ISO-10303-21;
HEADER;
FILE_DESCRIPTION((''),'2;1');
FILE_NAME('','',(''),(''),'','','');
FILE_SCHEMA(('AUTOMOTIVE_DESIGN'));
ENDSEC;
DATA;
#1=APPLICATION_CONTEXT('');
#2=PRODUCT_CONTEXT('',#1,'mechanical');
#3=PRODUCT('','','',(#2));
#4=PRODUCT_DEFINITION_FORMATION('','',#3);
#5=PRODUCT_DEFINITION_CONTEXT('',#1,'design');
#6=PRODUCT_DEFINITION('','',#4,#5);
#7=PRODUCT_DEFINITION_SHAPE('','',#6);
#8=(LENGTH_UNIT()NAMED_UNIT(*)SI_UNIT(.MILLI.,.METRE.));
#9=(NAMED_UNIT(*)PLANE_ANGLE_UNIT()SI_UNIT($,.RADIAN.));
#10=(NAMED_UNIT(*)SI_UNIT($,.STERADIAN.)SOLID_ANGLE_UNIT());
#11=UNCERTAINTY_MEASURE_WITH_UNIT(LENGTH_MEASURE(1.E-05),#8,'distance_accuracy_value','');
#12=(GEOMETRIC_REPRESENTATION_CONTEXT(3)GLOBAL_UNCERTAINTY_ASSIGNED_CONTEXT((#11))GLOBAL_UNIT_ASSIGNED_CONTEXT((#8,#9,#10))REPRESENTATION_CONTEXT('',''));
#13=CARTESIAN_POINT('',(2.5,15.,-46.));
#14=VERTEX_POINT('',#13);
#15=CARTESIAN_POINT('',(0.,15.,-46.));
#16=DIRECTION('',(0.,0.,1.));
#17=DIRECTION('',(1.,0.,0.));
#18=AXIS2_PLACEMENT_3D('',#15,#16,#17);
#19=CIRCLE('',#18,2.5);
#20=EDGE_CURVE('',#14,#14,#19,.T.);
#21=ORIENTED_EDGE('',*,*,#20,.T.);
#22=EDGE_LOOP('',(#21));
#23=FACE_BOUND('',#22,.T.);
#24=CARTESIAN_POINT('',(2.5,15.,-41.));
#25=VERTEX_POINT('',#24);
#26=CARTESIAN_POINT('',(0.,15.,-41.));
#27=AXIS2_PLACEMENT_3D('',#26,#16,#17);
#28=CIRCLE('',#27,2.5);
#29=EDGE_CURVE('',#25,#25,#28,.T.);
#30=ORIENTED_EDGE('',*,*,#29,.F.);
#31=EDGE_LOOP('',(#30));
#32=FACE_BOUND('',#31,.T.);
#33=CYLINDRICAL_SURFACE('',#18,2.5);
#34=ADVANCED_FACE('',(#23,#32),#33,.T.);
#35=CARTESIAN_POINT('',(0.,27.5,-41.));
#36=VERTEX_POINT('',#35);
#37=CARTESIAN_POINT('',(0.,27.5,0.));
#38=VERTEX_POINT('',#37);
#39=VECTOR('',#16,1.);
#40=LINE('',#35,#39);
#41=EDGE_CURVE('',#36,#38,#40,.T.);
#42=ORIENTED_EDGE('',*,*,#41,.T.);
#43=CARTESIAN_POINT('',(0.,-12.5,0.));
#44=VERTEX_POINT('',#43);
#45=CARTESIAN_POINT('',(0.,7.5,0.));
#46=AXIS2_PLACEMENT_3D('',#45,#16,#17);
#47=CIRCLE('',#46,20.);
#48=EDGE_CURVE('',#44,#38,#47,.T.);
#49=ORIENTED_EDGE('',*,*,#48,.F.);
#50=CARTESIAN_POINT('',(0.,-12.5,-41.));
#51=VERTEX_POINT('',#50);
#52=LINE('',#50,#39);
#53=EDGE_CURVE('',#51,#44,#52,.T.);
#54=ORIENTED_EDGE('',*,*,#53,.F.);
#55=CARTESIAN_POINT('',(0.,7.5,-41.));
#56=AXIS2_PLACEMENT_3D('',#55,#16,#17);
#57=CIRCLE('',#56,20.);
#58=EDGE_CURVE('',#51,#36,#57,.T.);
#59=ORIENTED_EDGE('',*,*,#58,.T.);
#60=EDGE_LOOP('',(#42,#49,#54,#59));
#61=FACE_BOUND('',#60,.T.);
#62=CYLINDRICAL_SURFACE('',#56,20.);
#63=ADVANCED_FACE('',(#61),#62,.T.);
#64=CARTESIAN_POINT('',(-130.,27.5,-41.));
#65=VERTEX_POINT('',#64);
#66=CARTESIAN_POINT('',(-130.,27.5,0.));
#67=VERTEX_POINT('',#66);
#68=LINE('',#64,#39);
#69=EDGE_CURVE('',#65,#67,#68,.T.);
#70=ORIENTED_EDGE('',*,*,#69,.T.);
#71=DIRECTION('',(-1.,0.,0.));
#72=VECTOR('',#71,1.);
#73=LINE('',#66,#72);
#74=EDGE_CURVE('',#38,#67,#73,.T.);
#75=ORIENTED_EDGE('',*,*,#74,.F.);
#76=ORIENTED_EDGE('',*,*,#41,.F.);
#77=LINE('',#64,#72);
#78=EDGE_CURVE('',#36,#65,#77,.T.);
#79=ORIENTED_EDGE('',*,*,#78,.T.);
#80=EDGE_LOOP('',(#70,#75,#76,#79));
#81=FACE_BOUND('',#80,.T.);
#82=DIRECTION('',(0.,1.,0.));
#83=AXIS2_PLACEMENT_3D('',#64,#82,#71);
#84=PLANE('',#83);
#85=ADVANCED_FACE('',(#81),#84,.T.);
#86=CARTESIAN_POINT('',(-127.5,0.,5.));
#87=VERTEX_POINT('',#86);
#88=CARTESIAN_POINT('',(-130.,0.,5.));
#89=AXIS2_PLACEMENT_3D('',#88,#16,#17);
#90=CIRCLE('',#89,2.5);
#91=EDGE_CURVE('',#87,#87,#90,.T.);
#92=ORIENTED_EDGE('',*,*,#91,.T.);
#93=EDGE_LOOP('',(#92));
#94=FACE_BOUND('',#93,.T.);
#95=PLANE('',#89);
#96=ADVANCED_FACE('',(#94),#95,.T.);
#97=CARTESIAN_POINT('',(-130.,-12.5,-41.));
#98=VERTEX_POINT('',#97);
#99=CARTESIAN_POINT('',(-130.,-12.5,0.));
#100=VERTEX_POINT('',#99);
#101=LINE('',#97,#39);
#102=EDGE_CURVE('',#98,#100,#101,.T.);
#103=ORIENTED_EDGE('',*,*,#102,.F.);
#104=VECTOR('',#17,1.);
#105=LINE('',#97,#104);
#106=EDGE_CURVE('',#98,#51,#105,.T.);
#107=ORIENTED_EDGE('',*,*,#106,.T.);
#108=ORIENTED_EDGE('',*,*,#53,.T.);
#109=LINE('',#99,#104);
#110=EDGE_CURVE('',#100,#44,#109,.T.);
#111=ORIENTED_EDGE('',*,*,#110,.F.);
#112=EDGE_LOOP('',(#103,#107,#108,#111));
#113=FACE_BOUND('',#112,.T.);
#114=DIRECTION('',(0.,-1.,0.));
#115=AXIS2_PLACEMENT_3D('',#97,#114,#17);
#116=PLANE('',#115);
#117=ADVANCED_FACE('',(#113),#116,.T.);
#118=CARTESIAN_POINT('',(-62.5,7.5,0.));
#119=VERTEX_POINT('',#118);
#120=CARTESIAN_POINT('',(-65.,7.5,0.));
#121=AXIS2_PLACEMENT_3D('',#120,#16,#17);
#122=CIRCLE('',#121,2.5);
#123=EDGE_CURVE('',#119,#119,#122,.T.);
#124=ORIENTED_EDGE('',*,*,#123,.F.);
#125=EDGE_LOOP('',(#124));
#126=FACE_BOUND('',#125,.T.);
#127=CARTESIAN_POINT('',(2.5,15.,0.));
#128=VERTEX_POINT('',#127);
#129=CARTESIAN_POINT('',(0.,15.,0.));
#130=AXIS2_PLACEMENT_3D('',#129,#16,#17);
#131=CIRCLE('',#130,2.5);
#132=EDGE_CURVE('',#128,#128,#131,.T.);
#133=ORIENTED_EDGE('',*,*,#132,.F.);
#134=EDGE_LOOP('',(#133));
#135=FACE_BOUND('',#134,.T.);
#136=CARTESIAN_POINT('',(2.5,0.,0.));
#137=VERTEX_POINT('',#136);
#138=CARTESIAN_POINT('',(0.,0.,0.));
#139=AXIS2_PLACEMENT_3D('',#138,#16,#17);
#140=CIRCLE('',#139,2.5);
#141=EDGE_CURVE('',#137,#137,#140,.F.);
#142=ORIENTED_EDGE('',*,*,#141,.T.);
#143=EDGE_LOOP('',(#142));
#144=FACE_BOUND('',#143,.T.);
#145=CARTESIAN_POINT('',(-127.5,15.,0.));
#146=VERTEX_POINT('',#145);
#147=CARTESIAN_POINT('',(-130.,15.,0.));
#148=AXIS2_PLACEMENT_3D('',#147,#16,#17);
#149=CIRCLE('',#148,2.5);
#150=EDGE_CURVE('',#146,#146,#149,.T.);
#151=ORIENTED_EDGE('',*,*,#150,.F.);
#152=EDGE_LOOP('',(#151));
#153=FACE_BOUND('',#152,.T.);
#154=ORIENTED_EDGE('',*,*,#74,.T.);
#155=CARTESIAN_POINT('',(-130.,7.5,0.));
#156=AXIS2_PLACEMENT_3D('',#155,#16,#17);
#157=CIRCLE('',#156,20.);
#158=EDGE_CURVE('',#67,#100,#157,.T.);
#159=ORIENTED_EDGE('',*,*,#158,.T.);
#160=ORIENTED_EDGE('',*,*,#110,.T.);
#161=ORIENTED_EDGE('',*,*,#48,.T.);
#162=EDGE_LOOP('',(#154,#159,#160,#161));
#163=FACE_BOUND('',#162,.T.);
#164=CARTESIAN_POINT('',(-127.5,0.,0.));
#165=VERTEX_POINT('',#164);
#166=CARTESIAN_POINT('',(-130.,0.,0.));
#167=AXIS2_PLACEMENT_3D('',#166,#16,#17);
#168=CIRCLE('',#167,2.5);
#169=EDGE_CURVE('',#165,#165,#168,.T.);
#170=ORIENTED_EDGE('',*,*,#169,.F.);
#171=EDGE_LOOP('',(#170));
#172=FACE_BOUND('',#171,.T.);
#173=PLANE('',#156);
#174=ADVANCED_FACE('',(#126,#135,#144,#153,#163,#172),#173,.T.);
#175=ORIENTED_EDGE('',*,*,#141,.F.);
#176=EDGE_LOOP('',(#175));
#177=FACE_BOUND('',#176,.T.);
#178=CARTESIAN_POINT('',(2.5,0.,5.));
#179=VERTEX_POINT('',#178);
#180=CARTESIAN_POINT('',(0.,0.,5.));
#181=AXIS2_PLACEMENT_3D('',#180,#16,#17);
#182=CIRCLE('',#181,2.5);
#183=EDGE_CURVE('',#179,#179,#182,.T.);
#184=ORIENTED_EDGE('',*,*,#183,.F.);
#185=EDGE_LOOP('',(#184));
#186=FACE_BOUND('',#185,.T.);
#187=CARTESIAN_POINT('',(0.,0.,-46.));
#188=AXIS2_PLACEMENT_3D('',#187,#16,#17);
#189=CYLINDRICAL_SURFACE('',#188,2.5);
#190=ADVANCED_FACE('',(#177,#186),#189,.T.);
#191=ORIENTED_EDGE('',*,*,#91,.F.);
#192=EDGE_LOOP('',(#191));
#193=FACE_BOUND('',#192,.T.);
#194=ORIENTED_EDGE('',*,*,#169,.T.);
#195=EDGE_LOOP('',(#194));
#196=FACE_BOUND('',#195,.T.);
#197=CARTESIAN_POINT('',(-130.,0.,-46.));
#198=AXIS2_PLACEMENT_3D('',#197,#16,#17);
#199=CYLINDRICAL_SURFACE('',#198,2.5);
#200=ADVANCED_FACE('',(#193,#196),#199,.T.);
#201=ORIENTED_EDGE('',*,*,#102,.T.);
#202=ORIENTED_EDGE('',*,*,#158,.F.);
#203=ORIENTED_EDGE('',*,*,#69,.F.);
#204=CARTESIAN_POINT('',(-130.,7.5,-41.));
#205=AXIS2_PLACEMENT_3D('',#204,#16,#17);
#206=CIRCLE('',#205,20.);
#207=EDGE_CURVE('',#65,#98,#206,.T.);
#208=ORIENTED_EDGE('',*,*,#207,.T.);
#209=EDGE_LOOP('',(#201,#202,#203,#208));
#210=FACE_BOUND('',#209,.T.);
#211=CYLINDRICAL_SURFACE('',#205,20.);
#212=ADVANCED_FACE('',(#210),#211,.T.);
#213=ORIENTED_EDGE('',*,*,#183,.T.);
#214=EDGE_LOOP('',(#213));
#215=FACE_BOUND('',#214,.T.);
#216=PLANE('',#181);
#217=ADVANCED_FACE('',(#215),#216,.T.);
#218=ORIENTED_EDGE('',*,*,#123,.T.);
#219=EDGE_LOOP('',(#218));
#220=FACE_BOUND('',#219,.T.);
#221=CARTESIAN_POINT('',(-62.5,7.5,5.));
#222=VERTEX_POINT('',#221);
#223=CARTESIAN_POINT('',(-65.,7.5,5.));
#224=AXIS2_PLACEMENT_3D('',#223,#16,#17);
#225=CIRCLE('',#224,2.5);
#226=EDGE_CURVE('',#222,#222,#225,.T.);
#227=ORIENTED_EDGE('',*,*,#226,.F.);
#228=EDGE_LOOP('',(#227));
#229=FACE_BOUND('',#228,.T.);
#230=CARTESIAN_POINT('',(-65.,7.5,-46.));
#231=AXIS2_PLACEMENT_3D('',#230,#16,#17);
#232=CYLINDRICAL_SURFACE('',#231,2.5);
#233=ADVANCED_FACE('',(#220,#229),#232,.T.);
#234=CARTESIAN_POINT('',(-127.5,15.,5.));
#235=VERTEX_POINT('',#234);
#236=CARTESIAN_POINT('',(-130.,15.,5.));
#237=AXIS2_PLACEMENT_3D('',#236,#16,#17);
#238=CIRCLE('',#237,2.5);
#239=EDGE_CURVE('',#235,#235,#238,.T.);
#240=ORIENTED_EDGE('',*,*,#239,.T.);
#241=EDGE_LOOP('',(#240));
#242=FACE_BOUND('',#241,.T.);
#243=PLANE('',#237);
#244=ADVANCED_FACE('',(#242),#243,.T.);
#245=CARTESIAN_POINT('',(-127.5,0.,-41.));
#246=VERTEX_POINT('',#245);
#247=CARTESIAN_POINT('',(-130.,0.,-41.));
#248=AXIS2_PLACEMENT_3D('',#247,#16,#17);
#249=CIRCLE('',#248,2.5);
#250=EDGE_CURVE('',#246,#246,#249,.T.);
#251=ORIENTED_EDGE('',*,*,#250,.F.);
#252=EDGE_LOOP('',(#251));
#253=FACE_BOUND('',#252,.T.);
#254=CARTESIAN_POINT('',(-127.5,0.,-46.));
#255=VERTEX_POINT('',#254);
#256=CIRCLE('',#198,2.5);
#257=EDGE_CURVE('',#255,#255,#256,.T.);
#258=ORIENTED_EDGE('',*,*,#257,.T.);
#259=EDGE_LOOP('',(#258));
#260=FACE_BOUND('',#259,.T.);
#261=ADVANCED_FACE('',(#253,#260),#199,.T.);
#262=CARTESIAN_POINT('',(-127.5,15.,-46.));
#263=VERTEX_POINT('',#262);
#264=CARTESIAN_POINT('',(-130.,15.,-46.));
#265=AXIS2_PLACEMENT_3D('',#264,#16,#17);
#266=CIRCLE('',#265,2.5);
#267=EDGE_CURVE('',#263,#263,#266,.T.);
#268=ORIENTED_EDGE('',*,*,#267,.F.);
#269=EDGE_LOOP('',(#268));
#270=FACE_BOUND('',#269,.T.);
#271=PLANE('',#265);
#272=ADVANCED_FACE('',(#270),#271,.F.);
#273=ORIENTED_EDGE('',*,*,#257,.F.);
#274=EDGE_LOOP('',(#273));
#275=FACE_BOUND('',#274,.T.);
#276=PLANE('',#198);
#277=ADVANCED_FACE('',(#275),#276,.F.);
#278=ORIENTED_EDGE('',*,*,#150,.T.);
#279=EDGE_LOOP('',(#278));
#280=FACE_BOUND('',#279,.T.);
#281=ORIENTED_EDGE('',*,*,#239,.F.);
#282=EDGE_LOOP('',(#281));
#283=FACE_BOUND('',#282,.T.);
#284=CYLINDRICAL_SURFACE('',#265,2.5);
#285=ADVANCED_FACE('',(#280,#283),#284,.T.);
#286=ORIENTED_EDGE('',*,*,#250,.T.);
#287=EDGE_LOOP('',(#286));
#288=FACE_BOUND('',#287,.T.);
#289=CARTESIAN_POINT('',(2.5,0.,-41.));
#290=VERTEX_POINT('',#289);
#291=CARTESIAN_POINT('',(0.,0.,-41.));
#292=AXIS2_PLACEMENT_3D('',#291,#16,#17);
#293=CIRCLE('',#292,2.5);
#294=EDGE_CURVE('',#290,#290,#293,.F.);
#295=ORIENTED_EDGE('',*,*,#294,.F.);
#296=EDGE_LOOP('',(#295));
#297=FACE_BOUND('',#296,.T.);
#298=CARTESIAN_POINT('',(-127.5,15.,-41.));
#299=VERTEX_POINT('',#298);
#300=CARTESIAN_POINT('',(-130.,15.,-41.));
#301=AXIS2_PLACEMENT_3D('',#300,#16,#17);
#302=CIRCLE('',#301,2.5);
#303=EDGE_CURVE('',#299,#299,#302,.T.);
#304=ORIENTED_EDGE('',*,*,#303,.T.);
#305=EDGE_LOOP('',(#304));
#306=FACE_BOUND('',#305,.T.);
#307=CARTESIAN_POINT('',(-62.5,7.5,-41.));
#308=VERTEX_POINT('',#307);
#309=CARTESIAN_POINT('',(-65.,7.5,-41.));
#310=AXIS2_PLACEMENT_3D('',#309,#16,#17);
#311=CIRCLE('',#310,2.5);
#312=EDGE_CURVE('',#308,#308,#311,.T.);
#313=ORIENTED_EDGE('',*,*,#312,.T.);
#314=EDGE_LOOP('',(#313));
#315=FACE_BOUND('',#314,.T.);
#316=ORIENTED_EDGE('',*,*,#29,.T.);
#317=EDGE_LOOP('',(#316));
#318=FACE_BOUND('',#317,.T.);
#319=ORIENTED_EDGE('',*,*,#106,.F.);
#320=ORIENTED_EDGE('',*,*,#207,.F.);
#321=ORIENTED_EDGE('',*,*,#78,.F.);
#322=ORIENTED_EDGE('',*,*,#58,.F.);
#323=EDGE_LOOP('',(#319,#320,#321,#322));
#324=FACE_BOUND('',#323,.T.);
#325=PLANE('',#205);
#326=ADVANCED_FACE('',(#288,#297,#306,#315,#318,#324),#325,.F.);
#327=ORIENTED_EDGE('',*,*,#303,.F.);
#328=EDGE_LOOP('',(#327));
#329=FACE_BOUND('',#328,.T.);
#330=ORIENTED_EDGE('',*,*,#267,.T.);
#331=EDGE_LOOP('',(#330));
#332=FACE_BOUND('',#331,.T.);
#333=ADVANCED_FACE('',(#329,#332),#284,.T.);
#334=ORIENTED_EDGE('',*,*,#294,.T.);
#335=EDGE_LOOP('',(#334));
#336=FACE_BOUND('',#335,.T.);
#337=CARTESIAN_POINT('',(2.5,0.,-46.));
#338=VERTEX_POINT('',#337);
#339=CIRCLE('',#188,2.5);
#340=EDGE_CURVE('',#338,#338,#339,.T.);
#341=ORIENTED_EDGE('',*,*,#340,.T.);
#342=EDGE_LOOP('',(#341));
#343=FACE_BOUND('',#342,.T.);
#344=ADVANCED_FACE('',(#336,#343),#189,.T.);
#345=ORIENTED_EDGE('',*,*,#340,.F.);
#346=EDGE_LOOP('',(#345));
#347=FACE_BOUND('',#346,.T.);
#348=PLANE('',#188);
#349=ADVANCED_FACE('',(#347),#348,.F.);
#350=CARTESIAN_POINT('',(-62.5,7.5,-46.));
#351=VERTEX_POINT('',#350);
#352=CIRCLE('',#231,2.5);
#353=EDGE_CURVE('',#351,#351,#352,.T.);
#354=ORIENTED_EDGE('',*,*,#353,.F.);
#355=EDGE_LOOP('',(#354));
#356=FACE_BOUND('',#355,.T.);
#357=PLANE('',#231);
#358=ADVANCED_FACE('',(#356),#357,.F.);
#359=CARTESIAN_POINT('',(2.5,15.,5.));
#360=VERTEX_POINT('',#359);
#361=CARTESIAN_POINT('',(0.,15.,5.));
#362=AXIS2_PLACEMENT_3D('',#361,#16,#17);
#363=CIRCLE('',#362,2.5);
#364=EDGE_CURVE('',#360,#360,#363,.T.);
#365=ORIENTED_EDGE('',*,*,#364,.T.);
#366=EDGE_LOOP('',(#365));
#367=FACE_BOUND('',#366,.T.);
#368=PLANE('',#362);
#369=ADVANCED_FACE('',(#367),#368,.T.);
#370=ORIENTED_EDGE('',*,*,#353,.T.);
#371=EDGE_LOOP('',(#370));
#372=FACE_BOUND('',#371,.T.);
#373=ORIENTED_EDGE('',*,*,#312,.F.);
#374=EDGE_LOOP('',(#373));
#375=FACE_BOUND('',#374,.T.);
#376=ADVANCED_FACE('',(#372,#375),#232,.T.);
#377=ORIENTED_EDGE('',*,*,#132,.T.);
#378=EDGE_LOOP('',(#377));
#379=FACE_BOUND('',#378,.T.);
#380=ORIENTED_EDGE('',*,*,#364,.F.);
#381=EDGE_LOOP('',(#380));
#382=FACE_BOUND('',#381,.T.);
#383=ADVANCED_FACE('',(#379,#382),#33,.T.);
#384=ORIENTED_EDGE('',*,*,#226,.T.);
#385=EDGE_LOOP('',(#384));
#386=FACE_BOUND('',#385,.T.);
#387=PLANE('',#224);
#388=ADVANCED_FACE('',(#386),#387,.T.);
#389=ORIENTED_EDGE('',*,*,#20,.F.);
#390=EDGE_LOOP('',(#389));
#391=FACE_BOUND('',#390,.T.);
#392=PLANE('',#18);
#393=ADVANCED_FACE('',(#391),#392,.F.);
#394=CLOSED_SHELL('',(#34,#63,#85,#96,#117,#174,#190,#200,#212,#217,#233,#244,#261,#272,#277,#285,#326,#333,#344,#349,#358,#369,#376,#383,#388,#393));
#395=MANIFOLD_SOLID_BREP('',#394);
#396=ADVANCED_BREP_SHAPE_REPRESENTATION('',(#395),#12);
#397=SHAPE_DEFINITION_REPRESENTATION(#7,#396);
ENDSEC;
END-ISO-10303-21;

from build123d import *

# Parameters (mm, degrees)
BOSS_EXTRUDE1_DEPTH        = 5
BOSS_EXTRUDE1_DEPTH_BACK   = 46
SKETCH1_R                  = 2.5
BOSS_EXTRUDE1_2_DEPTH      = 5
BOSS_EXTRUDE1_2_DEPTH_BACK = 46
BOSS_EXTRUDE1_3_DEPTH      = 5
BOSS_EXTRUDE1_3_DEPTH_BACK = 46
BOSS_EXTRUDE1_4_DEPTH      = 5
BOSS_EXTRUDE1_4_DEPTH_BACK = 46
BOSS_EXTRUDE1_5_DEPTH      = 5
BOSS_EXTRUDE1_5_DEPTH_BACK = 46
BOSS_EXTRUDE2_DEPTH        = 41


with BuildPart() as part:
    # Sketch1 → Boss-Extrude1 (new, two sides: drawn at the far end of the back side and taken through both)
    with BuildSketch(Plane.XY.offset(-BOSS_EXTRUDE1_DEPTH_BACK)):
        Circle(SKETCH1_R)
    extrude(amount=BOSS_EXTRUDE1_DEPTH + BOSS_EXTRUDE1_DEPTH_BACK)



with BuildPart() as body_2:
    # Sketch1 → Boss-Extrude1 2 (new, two sides: drawn at the far end of the back side and taken through both)
    with BuildSketch(Plane.XY.offset(-BOSS_EXTRUDE1_2_DEPTH_BACK)):
        with Locations((0, 15)):
            Circle(SKETCH1_R)
    extrude(amount=BOSS_EXTRUDE1_2_DEPTH + BOSS_EXTRUDE1_2_DEPTH_BACK)


with BuildPart() as body_3:
    # Sketch1 → Boss-Extrude1 3 (new, two sides: drawn at the far end of the back side and taken through both)
    with BuildSketch(Plane.XY.offset(-BOSS_EXTRUDE1_3_DEPTH_BACK)):
        with Locations((-130, 15)):
            Circle(SKETCH1_R)
    extrude(amount=BOSS_EXTRUDE1_3_DEPTH + BOSS_EXTRUDE1_3_DEPTH_BACK)


with BuildPart() as body_4:
    # Sketch1 → Boss-Extrude1 4 (new, two sides: drawn at the far end of the back side and taken through both)
    with BuildSketch(Plane.XY.offset(-BOSS_EXTRUDE1_4_DEPTH_BACK)):
        with Locations((-130, 0)):
            Circle(SKETCH1_R)
    extrude(amount=BOSS_EXTRUDE1_4_DEPTH + BOSS_EXTRUDE1_4_DEPTH_BACK)


with BuildPart() as body_5:
    # Sketch1 → Boss-Extrude1 5 (new, two sides: drawn at the far end of the back side and taken through both)
    with BuildSketch(Plane.XY.offset(-BOSS_EXTRUDE1_5_DEPTH_BACK)):
        with Locations((-65, 7.5)):
            Circle(SKETCH1_R)
    extrude(amount=BOSS_EXTRUDE1_5_DEPTH + BOSS_EXTRUDE1_5_DEPTH_BACK)


with BuildPart() as part_1:
    add(part.part)

    add(body_2.part)  # Boss-Extrude2 merges body 2

    add(body_3.part)  # Boss-Extrude2 merges body 3

    add(body_4.part)  # Boss-Extrude2 merges body 4

    add(body_5.part)  # Boss-Extrude2 merges body 5
    # Sketch2 → Boss-Extrude2 (add)
    with BuildSketch(Plane.XY):
        with BuildLine():
            Line((-130, 27.5), (0, 27.5))
            ThreePointArc((0, 27.5), (20, 7.5), (0, -12.5))
            Line((0, -12.5), (-130, -12.5))
            ThreePointArc((-130, -12.5), (-150, 7.5), (-130, 27.5))
        make_face()
    extrude(amount=-BOSS_EXTRUDE2_DEPTH)


solid = part_1.part
